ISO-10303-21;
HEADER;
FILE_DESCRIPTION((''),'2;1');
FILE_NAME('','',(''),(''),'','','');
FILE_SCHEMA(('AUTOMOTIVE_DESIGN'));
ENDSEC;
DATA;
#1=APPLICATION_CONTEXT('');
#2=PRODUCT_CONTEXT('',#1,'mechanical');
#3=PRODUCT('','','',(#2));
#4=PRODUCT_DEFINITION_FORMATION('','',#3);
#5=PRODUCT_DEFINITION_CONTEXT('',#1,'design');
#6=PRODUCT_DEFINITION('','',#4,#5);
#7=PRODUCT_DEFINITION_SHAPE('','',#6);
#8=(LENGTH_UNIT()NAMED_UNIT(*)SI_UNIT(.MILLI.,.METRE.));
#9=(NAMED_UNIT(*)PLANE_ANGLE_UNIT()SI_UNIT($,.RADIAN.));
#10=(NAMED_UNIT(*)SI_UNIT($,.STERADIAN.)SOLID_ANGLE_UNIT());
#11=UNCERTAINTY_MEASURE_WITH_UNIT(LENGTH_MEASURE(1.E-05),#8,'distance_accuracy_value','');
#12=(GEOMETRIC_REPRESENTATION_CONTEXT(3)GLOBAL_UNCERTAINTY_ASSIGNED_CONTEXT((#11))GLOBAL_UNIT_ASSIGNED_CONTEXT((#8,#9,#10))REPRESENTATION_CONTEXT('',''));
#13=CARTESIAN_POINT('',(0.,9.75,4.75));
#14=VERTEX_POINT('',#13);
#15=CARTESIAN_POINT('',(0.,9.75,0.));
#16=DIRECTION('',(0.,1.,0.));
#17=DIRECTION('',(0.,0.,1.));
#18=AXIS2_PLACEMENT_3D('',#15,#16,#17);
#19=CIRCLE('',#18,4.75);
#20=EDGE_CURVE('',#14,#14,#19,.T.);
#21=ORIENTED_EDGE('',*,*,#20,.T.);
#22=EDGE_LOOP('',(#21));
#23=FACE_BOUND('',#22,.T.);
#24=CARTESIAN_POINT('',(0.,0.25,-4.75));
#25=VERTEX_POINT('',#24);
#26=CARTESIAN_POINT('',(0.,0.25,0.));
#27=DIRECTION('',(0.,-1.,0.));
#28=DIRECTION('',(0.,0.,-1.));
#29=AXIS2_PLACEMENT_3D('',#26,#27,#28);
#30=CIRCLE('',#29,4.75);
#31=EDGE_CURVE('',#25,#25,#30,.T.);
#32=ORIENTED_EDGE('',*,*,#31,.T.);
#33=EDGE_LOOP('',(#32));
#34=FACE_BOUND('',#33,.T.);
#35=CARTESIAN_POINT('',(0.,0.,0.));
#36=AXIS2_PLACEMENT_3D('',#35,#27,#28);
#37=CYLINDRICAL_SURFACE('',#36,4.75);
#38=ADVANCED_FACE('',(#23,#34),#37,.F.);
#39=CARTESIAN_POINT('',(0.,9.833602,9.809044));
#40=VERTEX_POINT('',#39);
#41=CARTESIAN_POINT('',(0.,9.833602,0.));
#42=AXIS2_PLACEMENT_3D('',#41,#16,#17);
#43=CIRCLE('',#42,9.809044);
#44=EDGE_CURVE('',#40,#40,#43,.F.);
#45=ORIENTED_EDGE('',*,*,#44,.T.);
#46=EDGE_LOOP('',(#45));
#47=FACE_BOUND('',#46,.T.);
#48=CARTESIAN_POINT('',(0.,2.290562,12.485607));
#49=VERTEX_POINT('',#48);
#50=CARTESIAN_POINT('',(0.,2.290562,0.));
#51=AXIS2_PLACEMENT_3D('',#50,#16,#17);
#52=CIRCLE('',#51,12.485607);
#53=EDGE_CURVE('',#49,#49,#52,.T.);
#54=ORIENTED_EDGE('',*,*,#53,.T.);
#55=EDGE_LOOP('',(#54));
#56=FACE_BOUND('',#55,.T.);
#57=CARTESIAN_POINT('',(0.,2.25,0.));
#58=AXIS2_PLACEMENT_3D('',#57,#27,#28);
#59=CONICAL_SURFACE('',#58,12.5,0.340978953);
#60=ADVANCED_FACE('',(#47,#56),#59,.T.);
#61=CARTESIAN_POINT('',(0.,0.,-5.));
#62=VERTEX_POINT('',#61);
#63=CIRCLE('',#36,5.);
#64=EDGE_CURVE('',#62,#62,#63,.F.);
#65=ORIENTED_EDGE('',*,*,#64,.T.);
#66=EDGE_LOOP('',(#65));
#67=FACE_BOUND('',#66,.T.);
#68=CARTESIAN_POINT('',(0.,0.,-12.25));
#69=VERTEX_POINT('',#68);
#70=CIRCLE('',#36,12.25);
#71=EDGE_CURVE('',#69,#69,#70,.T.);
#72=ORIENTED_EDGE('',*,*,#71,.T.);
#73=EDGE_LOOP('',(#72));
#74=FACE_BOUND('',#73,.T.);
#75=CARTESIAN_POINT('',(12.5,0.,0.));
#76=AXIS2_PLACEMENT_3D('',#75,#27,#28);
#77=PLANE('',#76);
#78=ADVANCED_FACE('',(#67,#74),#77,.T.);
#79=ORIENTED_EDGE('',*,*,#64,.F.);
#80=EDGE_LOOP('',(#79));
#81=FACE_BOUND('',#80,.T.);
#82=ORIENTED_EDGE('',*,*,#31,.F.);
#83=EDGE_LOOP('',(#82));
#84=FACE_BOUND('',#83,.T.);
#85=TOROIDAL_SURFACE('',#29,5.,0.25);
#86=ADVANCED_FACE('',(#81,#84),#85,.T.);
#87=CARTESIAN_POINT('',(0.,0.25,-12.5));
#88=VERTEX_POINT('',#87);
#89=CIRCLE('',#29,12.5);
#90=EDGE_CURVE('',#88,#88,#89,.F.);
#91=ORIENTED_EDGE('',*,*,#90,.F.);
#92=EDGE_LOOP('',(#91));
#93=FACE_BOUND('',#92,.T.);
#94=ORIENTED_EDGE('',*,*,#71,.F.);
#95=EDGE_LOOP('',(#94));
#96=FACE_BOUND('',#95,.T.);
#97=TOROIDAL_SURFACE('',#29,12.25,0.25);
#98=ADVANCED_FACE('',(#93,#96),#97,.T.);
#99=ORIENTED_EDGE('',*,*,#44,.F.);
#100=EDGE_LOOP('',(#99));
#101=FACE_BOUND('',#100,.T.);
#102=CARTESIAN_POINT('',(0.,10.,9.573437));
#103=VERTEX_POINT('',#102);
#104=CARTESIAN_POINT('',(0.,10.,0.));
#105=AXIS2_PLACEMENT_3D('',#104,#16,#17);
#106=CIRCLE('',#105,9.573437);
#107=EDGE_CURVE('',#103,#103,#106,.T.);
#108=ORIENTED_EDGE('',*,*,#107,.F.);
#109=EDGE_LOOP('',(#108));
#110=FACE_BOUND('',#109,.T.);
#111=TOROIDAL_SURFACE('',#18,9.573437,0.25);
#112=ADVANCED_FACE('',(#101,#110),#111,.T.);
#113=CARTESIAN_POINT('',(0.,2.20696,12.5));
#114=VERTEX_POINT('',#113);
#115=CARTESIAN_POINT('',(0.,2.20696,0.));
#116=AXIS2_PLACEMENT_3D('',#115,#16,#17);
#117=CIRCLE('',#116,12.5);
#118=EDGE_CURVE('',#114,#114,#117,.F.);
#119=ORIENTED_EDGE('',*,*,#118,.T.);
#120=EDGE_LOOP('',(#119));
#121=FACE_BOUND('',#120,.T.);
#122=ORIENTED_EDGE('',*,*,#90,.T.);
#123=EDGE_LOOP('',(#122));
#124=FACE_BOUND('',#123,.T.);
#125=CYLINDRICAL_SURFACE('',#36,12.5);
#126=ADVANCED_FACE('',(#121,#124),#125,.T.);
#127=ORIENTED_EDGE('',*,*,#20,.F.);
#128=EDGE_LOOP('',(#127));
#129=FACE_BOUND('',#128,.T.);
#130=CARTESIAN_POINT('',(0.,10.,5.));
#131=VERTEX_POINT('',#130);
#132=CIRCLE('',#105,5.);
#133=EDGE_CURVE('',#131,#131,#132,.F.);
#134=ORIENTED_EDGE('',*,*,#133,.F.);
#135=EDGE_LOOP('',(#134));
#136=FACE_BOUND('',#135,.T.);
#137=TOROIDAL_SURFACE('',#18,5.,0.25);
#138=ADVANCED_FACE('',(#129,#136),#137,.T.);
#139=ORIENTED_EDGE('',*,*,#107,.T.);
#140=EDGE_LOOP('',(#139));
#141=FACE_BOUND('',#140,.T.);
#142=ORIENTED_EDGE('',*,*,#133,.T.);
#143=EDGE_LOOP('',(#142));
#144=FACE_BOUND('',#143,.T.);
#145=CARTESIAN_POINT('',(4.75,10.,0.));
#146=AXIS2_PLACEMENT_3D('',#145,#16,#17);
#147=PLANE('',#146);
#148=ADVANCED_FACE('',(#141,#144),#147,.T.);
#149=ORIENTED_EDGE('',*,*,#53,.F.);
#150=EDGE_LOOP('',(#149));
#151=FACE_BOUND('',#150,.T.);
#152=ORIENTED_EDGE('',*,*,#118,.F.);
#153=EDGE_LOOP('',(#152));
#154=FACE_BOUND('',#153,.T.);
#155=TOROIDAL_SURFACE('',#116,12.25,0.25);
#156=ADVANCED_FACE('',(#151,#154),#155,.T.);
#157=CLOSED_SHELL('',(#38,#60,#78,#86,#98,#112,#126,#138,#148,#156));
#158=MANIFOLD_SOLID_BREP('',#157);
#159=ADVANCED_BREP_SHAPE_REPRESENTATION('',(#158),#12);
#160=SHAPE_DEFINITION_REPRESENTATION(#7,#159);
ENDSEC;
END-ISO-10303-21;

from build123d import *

# Parameters (mm, degrees)
FILLET1_R = 0.25


with BuildPart() as part:
    # Sketch1 → Revolve1 (revolve)
    with BuildSketch(Plane.XY):
        Polygon((4.75, 10), (9.75, 10), (12.5, 2.25), (12.5, 0), (4.75, 0), align=None)
    revolve(axis=Axis((0, 0, 0), (0, 1, 0)))

    # Fillet1
    fillet1_edges = [part.edges().sort_by_distance(p)[0] for p in [
        (-4.75, 0, 0),
        (-12.5, 0, 0),
        (-12.5, 2.25, 0),
        (-9.75, 10, 0),
        (-4.75, 10, 0),
    ]]
    fillet(fillet1_edges, radius=FILLET1_R)


solid = part.part
